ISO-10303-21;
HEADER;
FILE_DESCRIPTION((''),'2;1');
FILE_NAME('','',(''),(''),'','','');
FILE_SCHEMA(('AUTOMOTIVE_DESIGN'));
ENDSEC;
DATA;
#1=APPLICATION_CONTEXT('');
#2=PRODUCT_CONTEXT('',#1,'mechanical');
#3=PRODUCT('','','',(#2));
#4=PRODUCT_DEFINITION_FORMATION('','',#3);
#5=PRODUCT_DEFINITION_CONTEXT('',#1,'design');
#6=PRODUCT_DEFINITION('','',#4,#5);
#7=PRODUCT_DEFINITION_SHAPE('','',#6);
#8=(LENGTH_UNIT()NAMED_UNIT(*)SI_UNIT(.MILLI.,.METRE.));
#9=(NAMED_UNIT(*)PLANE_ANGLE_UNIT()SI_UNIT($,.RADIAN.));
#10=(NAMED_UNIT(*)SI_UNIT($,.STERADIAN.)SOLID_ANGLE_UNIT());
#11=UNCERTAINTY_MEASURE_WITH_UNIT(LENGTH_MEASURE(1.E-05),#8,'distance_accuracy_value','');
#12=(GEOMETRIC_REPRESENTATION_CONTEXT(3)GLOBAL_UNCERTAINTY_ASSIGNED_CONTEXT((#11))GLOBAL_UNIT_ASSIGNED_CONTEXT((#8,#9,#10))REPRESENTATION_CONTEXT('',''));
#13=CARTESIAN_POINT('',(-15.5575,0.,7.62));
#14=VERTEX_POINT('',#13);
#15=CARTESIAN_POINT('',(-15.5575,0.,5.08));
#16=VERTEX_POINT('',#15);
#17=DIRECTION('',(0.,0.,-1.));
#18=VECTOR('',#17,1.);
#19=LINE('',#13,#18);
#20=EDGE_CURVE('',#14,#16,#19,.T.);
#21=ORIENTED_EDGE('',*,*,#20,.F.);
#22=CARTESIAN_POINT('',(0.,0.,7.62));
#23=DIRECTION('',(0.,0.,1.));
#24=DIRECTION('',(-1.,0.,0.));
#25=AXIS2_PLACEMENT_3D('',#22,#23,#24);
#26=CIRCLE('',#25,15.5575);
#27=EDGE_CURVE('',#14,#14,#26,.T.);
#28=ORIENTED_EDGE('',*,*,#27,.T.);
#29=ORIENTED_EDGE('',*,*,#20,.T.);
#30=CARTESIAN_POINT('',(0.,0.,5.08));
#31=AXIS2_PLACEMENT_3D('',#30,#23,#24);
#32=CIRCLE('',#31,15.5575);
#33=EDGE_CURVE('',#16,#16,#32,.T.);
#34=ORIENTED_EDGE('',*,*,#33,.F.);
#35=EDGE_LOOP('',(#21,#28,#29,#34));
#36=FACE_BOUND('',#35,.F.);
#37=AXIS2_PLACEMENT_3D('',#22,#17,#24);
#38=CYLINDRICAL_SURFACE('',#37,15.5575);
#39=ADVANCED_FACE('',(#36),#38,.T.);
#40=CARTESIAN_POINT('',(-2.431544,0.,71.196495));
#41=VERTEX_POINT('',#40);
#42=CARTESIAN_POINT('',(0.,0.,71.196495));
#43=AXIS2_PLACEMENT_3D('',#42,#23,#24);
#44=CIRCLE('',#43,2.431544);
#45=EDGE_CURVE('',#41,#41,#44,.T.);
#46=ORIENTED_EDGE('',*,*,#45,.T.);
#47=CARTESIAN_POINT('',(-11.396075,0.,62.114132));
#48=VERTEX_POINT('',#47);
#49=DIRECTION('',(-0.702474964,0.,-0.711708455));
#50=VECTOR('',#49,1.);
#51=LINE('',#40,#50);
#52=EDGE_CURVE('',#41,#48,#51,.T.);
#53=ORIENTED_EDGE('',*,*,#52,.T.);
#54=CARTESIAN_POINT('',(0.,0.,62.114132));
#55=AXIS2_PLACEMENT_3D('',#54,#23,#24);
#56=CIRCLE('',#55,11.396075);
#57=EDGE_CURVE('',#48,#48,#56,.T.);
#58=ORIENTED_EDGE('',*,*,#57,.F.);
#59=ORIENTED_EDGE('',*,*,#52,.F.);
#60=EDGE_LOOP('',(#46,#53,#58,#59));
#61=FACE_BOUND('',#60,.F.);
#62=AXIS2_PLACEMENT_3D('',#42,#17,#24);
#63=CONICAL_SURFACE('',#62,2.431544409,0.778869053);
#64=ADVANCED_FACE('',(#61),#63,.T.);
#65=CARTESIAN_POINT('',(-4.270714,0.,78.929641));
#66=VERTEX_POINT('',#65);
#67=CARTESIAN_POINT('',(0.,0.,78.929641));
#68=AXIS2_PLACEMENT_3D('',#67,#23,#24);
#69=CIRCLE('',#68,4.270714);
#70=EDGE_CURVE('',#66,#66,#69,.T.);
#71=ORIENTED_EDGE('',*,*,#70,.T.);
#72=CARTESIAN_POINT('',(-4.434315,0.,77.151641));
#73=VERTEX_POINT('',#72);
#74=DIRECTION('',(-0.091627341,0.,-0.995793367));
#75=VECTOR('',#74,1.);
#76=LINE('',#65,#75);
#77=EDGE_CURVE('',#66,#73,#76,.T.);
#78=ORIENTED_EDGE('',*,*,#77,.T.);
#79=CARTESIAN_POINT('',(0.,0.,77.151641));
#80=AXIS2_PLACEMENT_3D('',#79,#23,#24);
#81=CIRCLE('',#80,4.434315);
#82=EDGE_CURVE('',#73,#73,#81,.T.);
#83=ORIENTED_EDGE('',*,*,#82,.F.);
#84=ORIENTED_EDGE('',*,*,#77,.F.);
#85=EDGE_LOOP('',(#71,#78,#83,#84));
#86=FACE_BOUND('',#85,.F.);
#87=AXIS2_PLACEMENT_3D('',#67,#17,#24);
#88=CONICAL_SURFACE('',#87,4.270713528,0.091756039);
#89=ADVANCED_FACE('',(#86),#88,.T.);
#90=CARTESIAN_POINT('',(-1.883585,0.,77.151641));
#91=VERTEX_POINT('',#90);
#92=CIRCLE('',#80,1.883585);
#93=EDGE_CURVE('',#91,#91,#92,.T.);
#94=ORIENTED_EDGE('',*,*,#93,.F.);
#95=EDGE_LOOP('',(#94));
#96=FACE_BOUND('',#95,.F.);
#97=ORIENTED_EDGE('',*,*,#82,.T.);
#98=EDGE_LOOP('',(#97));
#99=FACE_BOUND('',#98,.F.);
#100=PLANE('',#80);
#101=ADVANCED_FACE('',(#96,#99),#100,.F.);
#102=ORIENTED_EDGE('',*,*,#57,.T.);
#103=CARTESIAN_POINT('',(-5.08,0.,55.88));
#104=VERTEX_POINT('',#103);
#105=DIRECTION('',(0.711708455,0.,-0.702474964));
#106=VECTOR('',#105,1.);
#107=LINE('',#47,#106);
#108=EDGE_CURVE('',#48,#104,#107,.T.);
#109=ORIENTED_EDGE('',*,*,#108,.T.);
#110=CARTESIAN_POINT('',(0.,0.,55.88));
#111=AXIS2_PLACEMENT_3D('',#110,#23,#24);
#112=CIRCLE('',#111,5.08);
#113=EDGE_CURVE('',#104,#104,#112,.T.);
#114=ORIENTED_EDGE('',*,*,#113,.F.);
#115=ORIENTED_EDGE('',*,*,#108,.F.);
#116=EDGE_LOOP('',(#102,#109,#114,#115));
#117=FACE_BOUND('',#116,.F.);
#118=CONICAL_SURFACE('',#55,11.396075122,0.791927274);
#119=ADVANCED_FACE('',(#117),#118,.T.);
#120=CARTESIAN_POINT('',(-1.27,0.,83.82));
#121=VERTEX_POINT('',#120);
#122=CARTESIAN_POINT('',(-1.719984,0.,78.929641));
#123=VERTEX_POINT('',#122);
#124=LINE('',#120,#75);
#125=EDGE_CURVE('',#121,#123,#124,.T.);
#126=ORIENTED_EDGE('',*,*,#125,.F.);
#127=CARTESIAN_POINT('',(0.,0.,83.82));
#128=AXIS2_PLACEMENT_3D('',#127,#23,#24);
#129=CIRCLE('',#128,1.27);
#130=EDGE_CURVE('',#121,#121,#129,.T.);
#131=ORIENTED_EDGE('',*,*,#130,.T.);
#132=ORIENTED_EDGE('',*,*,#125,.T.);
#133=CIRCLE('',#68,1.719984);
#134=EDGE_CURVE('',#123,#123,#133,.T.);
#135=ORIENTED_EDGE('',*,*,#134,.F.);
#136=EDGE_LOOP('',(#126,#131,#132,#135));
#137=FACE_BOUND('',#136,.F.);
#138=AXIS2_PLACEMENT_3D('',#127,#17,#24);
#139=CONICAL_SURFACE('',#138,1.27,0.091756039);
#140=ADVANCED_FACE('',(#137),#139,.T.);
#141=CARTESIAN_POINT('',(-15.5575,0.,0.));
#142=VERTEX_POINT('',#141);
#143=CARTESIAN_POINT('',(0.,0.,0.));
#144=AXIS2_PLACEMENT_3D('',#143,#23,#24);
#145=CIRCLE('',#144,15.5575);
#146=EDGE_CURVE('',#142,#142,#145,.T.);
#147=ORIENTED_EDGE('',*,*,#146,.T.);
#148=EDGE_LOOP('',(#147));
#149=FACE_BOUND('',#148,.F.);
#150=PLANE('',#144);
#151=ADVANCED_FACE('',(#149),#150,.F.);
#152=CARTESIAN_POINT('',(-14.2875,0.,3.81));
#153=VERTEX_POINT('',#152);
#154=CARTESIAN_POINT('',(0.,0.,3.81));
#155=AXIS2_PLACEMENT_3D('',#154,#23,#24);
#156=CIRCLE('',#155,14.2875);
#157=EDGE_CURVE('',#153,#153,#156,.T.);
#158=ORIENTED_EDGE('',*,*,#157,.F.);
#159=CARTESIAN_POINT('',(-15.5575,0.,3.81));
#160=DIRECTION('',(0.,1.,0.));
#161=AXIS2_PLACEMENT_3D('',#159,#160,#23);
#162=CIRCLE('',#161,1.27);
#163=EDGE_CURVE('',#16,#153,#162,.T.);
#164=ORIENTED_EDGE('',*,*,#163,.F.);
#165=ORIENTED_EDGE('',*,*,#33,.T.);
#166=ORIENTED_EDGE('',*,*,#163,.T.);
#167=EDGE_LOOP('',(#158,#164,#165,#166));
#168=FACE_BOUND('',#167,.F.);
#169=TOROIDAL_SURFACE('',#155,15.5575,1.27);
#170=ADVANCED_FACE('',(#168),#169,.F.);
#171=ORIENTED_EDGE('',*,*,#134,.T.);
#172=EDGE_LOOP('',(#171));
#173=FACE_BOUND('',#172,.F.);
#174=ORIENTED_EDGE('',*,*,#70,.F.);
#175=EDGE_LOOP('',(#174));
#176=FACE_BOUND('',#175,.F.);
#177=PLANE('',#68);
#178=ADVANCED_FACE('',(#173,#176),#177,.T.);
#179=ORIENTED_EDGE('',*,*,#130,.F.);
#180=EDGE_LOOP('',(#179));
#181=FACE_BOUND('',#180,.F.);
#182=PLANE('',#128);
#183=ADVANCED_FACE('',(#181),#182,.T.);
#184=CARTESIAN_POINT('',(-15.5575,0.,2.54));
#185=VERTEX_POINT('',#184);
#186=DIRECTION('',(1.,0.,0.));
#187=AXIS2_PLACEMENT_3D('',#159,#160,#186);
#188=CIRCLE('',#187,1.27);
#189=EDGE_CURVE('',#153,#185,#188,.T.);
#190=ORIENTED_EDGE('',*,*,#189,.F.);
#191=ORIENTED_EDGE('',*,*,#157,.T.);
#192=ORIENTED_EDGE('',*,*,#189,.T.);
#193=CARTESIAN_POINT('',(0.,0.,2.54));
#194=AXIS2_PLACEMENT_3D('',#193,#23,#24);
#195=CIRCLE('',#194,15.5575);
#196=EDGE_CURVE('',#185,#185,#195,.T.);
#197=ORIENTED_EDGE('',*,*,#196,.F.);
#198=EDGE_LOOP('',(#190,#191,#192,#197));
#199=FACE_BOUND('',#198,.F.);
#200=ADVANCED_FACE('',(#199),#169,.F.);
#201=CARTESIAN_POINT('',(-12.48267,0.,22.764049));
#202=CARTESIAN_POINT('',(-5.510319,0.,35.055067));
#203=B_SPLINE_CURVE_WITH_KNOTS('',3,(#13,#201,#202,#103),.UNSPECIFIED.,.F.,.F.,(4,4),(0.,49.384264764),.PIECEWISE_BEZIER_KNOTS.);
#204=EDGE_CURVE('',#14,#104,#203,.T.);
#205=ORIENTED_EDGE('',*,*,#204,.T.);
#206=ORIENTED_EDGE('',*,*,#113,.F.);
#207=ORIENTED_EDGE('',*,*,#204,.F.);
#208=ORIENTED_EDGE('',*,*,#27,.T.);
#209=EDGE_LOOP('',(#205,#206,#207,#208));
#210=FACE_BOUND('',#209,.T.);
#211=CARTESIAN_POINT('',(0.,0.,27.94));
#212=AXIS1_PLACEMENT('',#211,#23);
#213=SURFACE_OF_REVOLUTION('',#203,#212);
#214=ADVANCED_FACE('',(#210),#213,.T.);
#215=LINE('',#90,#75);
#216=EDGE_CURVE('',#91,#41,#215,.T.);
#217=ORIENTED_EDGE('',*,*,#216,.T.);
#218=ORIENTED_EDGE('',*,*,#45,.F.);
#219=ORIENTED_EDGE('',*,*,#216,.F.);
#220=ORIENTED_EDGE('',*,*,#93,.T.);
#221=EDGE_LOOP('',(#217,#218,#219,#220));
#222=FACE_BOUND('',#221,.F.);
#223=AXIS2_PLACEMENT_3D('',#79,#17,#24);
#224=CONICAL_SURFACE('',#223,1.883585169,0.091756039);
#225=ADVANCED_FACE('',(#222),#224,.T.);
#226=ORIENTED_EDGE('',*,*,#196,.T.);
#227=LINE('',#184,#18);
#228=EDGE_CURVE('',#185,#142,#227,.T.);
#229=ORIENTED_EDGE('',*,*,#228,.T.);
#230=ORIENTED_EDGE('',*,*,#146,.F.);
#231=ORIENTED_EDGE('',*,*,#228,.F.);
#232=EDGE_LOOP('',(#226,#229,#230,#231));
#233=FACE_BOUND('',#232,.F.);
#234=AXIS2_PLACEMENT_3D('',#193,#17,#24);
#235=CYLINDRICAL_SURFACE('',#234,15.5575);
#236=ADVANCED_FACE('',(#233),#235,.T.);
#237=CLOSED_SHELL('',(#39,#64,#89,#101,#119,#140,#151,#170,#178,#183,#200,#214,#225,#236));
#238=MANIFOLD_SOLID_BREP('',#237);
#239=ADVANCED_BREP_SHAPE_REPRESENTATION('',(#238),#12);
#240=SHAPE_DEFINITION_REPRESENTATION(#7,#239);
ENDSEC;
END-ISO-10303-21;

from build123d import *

# Parameters (mm, degrees)
F0_W   = 1.27
F0_H   = 1.27
F0_W_2 = 3.81
F0_H_2 = 3.5783256781


with BuildPart() as f1:
    # F0 (on Front) → F1 (revolve)
    with BuildSketch(Plane.XZ):
        with BuildLine():
            Line((-12.7, 0), (0, 0))
            add(Edge.make_bspline(
                [(0, 0), (7.4514020234, 3.331559943), (-2.5339151704, 7.6260847131), (-2.54, 12.7)],
                knots=[0, 0, 0, 0, 12.9515095645, 12.9515095645, 12.9515095645, 12.9515095645], degree=3))
            Line((-2.54, 12.7), (-12.7, 12.7))
            Line((-12.7, 12.7), (-12.7, 0))
        make_face()
        with BuildLine():
            Line((-12.7, 12.7), (-2.54, 12.7))
            add(Edge.make_bspline(
                [(-2.54, 12.7), (4.5093661174, 26.4475625008), (-14.613872394, 38.6360026896), (-5.08, 50.8)],
                knots=[0, 0, 0, 0, 38.1845728011, 38.1845728011, 38.1845728011, 38.1845728011], degree=3))
            Line((-5.08, 50.8), (-12.7, 50.8))
            Line((-12.7, 50.8), (-12.7, 12.7))
        make_face()
        with BuildLine():
            Line((-12.7, 50.8), (-5.08, 50.8))
            add(Edge.make_bspline(
                [(-5.08, 50.8), (-3.208857961, 50.9595312178), (-3.3491132781, 53.203612566), (-5.08, 53.34)],
                knots=[0, 0, 0, 0, 2.54, 2.54, 2.54, 2.54], degree=3))
            Line((-5.08, 53.34), (-9.7673060372, 53.34))
            Line((-9.7673060372, 53.34), (-11.43, 53.34))
            Line((-11.43, 53.34), (-12.7, 53.34))
            Line((-12.7, 53.34), (-12.7, 50.8))
        make_face()
        with BuildLine():
            Line((-9.7673060372, 53.34), (-5.08, 53.34))
            Line((-5.08, 53.34), (-2.0844770548, 59.69))
            add(Edge.make_bspline(
                [(-11.43, 53.5471198024), (-8.0565585685, 54.6403665691), (-5.5479568491, 59.69), (-2.0844770548, 59.69)],
                knots=[1.3390316874, 1.3390316874, 1.3390316874, 1.3390316874, 12.3697949619, 12.3697949619, 12.3697949619, 12.3697949619], degree=3))
            Line((-11.43, 53.5471198024), (-11.43, 53.34))
            Line((-11.43, 53.34), (-9.7673060372, 53.34))
        make_face()
        with BuildLine():
            add(Edge.make_bspline(
                [(-12.7, 53.34), (-12.2617526092, 53.34), (-11.8395042981, 53.4144098506), (-11.43, 53.5471198024)],
                knots=[0, 0, 0, 0, 1.3390316874, 1.3390316874, 1.3390316874, 1.3390316874], degree=3))
            Line((-12.7, 53.34), (-11.43, 53.34))
            Line((-11.43, 53.34), (-11.43, 53.5471198024))
        make_face()
        with BuildLine():
            Line((-12.7, 61.1916743219), (-12.7, 53.34))
            add(Edge.make_bspline(
                [(-12.7, 53.34), (-12.2617526092, 53.34), (-11.8395042981, 53.4144098506), (-11.43, 53.5471198024)],
                knots=[0, 0, 0, 0, 1.3390316874, 1.3390316874, 1.3390316874, 1.3390316874], degree=3))
            Line((-11.43, 53.5471198024), (-11.43, 61.1916743219))
            Line((-11.43, 61.1916743219), (-12.7, 61.1916743219))
        make_face()
        with Locations((-12.065, 61.8266743219)):
            Rectangle(F0_W, F0_H)
        with Locations((-9.525, 61.8266743219)):
            Rectangle(F0_W_2, F0_H)
        with Locations((-12.065, 64.2508371609)):
            Rectangle(F0_W, F0_H_2)
    revolve(axis=Axis((-12.7, 0, 25.4), (0, 0, 1)))


with BuildPart() as f4:
    # F3 (on Front) → F4 (revolve)
    with BuildSketch(Plane.XZ):
        Polygon((-1.27, 83.82), (-1.7199835438, 78.9296406197), (0, 78.9296406197), (0, 83.82), align=None)
        Polygon((-4.4343151529, 77.1516406197), (-1.8835851687, 77.1516406197), (-1.7199835438, 78.9296406197), (-4.270713528, 78.9296406197), align=None)
        with BuildLine():
            Line((-15.5575, 0), (0, 0))
            Line((0, 0), (0, 55.88))
            Line((0, 55.88), (-5.08, 55.88))
            add(Edge.make_bspline(
                [(-15.5575, 7.62), (-12.4826701358, 22.7640494704), (-5.5103190243, 35.0550673902), (-5.08, 55.88)],
                knots=[0, 0, 0, 0, 49.3842647637, 49.3842647637, 49.3842647637, 49.3842647637], degree=3))
            Line((-15.5575, 7.62), (-15.5575, 5.08))
            ThreePointArc((-15.5575, 5.08), (-14.6594743879, 4.7080256121), (-14.2875, 3.81))
            ThreePointArc((-14.2875, 3.81), (-14.6594743879, 2.9119743879), (-15.5575, 2.54))
            Line((-15.5575, 2.54), (-15.5575, 0))
        make_face()
        Polygon((-5.08, 55.88), (0, 55.88), (0, 70.0178143454), (-2.54, 70.0178143454), (-2.4315444093, 71.1964948159), (-11.3960751224, 62.1141322649), align=None)
        Polygon((-2.54, 70.0178143454), (0, 70.0178143454), (0, 73.66), (-2.4315444093, 71.1964948159), align=None)
        Polygon((-2.4315444093, 71.1964948159), (0, 73.66), (0, 77.1516406197), (-1.8835851687, 77.1516406197), align=None)
        Polygon((-1.8835851687, 77.1516406197), (0, 77.1516406197), (0, 78.2914757729), (0, 78.9296406197), (-1.7199835438, 78.9296406197), align=None)
    revolve(axis=Axis((0, 0, 27.94), (0, 0, 1)))


solid = f4.part
